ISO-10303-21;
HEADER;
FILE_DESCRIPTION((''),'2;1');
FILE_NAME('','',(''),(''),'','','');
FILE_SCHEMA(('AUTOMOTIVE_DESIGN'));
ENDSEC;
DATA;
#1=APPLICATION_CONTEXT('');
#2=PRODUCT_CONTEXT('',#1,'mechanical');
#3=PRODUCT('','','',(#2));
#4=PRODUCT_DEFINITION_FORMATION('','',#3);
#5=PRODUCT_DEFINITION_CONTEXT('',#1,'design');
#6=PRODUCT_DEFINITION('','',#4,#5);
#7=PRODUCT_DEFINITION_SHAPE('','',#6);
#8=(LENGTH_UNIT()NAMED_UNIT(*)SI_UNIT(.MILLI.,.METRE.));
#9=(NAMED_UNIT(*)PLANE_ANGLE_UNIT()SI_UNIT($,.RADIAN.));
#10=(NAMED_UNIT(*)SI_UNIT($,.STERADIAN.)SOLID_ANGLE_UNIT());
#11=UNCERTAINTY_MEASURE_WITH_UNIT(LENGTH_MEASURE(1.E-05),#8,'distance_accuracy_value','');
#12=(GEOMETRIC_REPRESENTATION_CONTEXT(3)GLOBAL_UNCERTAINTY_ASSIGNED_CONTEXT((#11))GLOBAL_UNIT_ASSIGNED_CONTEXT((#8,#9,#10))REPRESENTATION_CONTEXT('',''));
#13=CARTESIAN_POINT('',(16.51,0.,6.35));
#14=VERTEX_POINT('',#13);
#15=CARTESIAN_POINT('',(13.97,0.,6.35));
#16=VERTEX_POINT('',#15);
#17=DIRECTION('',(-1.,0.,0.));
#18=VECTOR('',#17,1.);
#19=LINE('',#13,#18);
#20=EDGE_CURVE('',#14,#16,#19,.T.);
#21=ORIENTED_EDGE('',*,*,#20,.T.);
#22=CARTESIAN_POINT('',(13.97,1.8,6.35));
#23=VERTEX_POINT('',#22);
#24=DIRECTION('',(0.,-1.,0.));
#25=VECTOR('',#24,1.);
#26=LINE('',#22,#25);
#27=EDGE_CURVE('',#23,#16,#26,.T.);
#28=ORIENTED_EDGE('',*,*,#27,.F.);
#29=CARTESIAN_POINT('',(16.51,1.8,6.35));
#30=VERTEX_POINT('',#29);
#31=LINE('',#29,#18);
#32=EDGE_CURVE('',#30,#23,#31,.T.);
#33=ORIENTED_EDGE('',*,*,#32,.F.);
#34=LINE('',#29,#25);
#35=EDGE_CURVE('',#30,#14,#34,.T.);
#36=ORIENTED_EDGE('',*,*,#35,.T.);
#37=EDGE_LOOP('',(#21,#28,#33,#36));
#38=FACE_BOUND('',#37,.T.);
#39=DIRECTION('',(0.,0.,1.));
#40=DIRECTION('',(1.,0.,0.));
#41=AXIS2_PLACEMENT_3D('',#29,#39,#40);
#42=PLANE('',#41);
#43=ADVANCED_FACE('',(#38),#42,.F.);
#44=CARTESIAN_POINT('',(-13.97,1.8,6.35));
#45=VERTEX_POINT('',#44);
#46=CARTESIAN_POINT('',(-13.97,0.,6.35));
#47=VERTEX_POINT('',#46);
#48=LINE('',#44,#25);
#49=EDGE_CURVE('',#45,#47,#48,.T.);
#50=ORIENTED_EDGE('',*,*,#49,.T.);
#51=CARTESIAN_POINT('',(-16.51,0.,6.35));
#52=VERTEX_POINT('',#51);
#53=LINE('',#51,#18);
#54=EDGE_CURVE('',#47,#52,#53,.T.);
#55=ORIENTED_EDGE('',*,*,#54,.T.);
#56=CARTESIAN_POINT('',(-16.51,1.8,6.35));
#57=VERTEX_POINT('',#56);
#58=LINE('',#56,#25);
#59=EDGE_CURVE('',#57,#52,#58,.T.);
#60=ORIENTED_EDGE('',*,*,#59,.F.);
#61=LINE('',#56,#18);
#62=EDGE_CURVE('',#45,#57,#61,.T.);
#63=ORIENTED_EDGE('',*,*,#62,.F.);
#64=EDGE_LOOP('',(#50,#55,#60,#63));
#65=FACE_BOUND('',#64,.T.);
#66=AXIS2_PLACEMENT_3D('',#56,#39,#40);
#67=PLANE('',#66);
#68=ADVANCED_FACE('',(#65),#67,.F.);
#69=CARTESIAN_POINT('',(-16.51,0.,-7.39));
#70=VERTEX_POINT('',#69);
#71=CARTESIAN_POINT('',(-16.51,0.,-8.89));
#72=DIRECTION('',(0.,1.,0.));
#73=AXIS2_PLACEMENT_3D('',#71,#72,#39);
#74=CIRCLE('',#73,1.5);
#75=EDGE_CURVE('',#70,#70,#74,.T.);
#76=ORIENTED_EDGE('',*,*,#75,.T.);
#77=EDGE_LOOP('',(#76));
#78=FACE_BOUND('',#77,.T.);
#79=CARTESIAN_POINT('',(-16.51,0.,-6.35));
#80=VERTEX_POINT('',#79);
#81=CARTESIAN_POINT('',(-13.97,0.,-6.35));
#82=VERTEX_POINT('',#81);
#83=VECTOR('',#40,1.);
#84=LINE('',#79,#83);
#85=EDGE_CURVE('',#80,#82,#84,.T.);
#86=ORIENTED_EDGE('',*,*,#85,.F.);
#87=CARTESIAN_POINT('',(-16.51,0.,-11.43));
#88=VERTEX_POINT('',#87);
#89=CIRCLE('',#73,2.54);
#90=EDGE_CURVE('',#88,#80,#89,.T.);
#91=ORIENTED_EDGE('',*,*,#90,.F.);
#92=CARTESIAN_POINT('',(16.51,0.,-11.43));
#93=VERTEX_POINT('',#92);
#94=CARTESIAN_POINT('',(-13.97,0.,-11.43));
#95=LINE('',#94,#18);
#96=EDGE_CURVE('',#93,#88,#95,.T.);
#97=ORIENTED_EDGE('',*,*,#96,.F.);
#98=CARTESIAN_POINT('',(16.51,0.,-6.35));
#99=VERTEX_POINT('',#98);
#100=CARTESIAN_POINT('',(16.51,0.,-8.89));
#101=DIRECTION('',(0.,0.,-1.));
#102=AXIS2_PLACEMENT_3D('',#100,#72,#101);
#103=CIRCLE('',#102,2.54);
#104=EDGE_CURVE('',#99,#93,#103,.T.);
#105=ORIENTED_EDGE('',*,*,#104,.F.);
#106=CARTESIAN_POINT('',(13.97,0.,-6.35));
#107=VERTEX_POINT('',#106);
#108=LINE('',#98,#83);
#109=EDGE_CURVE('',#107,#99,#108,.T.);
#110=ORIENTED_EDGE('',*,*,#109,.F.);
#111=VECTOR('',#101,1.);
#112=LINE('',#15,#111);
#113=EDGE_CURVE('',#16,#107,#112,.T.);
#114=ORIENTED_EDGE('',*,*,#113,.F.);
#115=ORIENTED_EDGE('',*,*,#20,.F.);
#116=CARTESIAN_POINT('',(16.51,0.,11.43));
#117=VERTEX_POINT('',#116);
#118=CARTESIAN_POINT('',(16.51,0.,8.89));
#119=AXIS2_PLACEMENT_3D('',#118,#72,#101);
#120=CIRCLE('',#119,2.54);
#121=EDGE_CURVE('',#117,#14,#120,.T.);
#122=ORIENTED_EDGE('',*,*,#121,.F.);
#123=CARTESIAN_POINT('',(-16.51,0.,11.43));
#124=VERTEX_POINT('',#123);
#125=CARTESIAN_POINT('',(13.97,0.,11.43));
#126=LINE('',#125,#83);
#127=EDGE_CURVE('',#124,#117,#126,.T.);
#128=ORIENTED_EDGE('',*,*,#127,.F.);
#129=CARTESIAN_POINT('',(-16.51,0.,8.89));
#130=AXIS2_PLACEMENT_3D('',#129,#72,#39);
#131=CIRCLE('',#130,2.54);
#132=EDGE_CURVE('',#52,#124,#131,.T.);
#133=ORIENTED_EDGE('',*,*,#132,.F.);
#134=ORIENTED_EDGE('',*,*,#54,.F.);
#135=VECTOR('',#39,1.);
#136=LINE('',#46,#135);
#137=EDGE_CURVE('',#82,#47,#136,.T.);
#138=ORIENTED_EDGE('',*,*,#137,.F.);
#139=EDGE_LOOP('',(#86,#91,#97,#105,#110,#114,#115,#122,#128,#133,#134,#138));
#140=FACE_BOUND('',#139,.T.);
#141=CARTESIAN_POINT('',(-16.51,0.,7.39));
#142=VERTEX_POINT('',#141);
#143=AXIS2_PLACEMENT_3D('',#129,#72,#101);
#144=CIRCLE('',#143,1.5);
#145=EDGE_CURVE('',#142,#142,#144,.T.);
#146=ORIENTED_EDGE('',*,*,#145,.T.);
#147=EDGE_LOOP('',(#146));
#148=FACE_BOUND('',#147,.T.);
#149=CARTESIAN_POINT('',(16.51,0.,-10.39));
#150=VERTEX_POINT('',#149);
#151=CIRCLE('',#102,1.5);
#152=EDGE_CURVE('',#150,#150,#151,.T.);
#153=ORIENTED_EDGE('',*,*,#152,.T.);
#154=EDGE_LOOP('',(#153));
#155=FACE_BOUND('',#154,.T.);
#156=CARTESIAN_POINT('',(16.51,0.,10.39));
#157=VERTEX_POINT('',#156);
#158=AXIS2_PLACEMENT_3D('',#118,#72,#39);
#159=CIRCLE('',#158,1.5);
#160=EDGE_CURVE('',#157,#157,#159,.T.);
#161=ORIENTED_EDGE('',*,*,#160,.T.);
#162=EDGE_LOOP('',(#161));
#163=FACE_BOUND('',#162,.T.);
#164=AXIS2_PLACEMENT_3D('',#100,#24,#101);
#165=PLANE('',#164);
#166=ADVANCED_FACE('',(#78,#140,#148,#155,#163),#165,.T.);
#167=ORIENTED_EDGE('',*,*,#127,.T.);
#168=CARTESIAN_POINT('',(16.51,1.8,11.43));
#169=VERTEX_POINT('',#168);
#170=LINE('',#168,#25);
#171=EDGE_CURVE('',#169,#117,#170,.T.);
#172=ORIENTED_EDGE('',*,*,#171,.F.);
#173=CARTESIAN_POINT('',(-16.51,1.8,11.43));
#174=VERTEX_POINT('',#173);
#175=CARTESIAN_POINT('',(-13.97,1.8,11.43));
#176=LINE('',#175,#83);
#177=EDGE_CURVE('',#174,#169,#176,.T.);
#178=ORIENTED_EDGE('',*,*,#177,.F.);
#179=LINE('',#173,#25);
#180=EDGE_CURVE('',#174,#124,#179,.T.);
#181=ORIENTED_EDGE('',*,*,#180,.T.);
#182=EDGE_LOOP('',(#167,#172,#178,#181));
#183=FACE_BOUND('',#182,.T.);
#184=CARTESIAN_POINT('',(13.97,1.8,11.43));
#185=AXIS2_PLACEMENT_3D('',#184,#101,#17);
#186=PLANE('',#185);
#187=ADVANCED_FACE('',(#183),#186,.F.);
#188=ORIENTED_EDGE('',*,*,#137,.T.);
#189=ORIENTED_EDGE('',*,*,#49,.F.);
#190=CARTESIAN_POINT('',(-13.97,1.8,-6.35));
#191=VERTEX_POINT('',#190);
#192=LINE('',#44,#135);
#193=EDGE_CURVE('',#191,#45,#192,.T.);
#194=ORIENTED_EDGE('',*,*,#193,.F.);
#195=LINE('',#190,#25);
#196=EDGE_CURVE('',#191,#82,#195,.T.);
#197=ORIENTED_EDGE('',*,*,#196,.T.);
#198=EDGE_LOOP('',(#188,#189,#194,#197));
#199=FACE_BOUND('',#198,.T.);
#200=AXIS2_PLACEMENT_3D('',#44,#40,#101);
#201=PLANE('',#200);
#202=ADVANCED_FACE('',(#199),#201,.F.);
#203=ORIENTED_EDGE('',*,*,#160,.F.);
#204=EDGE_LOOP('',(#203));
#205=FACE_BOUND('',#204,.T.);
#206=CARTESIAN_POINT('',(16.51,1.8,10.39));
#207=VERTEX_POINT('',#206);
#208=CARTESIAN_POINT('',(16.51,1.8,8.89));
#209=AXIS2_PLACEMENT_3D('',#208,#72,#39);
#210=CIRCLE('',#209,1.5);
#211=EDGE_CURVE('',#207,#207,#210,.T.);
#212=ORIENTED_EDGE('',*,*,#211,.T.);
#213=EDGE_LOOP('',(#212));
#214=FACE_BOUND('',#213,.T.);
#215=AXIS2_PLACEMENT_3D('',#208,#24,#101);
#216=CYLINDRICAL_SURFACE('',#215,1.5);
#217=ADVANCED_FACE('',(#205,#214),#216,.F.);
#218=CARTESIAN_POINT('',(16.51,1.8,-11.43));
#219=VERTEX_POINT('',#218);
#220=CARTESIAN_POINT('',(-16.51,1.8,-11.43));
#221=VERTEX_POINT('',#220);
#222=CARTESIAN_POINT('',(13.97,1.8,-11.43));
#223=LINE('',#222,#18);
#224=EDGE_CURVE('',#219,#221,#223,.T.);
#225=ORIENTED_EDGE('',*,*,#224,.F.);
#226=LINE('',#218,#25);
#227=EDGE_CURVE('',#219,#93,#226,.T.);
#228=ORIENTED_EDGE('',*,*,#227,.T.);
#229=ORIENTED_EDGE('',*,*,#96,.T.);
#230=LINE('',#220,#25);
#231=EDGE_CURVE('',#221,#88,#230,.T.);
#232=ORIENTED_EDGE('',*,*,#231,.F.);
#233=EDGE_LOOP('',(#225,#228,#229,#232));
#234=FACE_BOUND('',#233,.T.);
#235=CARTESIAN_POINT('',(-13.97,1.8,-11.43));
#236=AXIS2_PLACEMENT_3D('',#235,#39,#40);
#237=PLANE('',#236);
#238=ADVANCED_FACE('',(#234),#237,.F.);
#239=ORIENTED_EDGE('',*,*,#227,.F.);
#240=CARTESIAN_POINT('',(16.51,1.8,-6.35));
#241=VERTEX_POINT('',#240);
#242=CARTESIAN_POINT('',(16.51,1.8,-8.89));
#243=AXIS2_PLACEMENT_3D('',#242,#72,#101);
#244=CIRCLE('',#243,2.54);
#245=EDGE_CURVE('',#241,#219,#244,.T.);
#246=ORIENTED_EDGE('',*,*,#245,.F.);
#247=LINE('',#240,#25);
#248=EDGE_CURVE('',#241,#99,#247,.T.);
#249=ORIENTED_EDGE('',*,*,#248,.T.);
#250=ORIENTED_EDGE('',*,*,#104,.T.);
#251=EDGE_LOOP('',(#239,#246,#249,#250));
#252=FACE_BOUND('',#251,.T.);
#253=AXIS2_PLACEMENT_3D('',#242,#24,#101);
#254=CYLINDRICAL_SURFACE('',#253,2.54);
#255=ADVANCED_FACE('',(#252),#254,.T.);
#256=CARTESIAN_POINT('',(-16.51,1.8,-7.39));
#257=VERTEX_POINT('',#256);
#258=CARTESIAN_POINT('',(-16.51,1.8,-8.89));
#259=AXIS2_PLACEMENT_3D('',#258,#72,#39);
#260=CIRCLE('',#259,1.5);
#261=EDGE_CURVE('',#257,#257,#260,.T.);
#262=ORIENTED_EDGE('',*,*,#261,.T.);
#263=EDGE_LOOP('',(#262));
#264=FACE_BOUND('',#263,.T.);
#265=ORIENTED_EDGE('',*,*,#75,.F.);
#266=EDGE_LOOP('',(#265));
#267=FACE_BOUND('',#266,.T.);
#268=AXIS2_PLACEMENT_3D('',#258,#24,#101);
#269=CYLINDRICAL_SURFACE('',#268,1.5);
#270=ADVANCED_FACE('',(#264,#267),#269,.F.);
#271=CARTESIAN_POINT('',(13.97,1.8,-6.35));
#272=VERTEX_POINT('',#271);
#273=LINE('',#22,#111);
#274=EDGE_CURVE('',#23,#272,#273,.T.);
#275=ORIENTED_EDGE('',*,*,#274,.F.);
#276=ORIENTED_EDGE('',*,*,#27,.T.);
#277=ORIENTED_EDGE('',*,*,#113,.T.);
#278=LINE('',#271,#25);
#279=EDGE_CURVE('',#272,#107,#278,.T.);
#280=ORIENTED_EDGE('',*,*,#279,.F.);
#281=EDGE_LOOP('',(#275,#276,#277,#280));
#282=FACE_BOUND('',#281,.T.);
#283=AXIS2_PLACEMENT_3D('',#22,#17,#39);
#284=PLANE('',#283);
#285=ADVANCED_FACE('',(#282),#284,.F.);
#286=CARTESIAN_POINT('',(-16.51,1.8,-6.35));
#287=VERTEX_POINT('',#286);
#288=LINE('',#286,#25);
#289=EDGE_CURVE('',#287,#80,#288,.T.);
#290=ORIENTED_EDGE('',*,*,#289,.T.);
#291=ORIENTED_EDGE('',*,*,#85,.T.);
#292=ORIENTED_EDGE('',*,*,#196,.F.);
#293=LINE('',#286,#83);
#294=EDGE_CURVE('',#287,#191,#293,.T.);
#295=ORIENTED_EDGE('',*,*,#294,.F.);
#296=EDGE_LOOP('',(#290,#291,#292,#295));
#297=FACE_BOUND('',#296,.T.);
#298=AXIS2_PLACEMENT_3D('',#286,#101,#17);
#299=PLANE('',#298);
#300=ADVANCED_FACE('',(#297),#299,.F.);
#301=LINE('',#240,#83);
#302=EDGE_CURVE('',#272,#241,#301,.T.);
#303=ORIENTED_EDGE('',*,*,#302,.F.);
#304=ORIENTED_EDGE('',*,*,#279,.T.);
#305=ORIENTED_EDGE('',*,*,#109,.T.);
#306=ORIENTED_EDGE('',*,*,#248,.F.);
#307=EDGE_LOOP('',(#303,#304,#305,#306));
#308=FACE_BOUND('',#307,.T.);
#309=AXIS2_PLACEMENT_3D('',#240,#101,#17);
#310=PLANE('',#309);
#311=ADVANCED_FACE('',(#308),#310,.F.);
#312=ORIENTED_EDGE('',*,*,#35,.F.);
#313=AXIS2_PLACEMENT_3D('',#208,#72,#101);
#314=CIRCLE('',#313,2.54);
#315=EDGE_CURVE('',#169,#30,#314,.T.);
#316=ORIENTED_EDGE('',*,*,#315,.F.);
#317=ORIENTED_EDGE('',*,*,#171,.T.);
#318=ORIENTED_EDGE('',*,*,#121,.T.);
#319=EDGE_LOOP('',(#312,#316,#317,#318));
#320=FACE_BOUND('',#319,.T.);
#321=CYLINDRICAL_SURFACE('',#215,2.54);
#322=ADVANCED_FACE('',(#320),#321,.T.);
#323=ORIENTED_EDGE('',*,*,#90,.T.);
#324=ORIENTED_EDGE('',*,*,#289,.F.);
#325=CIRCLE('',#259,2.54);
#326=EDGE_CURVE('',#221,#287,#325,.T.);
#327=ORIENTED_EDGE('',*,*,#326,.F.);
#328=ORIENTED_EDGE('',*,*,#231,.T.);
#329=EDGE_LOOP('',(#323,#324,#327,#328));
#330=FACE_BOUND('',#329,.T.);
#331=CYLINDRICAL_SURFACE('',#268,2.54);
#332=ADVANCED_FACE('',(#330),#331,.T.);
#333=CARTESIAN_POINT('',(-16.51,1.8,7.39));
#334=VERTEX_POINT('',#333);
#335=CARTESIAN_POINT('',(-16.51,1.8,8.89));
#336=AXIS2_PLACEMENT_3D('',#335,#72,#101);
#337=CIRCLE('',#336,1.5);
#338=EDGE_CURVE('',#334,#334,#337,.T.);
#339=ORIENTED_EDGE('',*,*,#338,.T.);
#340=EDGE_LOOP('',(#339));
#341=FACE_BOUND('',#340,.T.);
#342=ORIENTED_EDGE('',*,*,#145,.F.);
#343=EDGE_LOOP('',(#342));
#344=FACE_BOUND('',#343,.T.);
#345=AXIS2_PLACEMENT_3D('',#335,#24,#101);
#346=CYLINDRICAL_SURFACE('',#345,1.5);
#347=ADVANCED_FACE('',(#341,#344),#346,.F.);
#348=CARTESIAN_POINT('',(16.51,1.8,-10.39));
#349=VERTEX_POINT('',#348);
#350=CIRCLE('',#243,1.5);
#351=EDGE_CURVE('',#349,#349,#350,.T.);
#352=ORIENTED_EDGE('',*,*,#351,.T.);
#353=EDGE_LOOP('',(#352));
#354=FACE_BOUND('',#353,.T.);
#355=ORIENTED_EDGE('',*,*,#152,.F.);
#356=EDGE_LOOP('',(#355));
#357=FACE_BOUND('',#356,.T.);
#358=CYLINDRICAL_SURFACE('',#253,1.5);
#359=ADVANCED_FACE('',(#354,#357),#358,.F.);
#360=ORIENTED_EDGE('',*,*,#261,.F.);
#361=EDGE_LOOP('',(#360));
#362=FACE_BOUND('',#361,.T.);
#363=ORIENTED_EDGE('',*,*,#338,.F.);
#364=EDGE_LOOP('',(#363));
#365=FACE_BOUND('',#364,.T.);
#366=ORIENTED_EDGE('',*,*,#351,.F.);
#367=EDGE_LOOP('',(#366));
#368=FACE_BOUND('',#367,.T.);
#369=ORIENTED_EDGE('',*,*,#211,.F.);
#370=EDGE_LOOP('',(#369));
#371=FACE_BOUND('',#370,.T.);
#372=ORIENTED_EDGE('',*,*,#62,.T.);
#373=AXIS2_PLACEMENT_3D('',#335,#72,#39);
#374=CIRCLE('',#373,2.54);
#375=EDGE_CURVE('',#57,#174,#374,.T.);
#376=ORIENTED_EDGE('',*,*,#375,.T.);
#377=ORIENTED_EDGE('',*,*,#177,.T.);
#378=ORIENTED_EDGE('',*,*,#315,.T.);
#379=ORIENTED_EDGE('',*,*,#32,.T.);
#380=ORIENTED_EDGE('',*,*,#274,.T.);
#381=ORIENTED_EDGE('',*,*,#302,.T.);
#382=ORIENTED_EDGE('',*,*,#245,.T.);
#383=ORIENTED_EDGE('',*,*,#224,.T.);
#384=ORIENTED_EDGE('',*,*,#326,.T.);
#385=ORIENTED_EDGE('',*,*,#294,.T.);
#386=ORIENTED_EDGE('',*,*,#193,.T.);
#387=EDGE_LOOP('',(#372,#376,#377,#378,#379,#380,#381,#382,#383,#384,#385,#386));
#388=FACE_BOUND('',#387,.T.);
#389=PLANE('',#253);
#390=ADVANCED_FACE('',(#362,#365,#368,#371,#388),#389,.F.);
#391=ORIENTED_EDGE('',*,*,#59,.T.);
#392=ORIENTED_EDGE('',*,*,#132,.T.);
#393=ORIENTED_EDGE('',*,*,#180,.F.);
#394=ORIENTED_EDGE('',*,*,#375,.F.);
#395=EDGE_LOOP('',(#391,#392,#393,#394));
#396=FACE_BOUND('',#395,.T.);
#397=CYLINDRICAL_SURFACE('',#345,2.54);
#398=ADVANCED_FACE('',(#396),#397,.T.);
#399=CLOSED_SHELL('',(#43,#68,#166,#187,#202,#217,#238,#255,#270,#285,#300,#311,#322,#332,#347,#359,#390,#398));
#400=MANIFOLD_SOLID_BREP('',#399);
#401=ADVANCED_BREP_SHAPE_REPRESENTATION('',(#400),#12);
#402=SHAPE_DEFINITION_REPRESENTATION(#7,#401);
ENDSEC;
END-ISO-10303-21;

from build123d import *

# Parameters (mm, degrees)
CROQUIS1_R              = 1.5
SALIENTE_EXTRUIR1_DEPTH = 1.8


with BuildPart() as part:
    # Croquis1 → Saliente-Extruir1 (new body)
    with BuildSketch(Plane(origin=(0, 0, 0), x_dir=(1, 0, 0), z_dir=(0, 1, 0))):
        with BuildLine():
            Line((-13.97, 11.43), (-16.51, 11.43))
            ThreePointArc((-16.51, 11.43), (-19.05, 8.89), (-16.51, 6.35))
            Line((-16.51, 6.35), (-13.97, 6.35))
            Line((-13.97, 6.35), (-13.97, -6.35))
            Line((-13.97, -6.35), (-16.51, -6.35))
            ThreePointArc((-16.51, -6.35), (-19.05, -8.89), (-16.51, -11.43))
            Line((-16.51, -11.43), (-13.97, -11.43))
            Line((-13.97, -11.43), (13.97, -11.43))
            Line((13.97, -11.43), (16.51, -11.43))
            ThreePointArc((16.51, -11.43), (19.05, -8.89), (16.51, -6.35))
            Line((16.51, -6.35), (13.97, -6.35))
            Line((13.97, -6.35), (13.97, 6.35))
            Line((13.97, 6.35), (16.51, 6.35))
            ThreePointArc((16.51, 6.35), (19.05, 8.89), (16.51, 11.43))
            Line((16.51, 11.43), (13.97, 11.43))
            Line((13.97, 11.43), (-13.97, 11.43))
        make_face()
        with Locations(Location((-16.51, 8.89, 0), (0, 0, 270))):
            Circle(CROQUIS1_R, mode=Mode.SUBTRACT)
        with Locations(Location((16.51, 8.89, 0), (0, 0, 90))):
            Circle(CROQUIS1_R, mode=Mode.SUBTRACT)
        with Locations(Location((16.51, -8.89, 0), (0, 0, 270))):
            Circle(CROQUIS1_R, mode=Mode.SUBTRACT)
        with Locations(Location((-16.51, -8.89, 0), (0, 0, 90))):
            Circle(CROQUIS1_R, mode=Mode.SUBTRACT)
    extrude(amount=SALIENTE_EXTRUIR1_DEPTH)


solid = part.part
